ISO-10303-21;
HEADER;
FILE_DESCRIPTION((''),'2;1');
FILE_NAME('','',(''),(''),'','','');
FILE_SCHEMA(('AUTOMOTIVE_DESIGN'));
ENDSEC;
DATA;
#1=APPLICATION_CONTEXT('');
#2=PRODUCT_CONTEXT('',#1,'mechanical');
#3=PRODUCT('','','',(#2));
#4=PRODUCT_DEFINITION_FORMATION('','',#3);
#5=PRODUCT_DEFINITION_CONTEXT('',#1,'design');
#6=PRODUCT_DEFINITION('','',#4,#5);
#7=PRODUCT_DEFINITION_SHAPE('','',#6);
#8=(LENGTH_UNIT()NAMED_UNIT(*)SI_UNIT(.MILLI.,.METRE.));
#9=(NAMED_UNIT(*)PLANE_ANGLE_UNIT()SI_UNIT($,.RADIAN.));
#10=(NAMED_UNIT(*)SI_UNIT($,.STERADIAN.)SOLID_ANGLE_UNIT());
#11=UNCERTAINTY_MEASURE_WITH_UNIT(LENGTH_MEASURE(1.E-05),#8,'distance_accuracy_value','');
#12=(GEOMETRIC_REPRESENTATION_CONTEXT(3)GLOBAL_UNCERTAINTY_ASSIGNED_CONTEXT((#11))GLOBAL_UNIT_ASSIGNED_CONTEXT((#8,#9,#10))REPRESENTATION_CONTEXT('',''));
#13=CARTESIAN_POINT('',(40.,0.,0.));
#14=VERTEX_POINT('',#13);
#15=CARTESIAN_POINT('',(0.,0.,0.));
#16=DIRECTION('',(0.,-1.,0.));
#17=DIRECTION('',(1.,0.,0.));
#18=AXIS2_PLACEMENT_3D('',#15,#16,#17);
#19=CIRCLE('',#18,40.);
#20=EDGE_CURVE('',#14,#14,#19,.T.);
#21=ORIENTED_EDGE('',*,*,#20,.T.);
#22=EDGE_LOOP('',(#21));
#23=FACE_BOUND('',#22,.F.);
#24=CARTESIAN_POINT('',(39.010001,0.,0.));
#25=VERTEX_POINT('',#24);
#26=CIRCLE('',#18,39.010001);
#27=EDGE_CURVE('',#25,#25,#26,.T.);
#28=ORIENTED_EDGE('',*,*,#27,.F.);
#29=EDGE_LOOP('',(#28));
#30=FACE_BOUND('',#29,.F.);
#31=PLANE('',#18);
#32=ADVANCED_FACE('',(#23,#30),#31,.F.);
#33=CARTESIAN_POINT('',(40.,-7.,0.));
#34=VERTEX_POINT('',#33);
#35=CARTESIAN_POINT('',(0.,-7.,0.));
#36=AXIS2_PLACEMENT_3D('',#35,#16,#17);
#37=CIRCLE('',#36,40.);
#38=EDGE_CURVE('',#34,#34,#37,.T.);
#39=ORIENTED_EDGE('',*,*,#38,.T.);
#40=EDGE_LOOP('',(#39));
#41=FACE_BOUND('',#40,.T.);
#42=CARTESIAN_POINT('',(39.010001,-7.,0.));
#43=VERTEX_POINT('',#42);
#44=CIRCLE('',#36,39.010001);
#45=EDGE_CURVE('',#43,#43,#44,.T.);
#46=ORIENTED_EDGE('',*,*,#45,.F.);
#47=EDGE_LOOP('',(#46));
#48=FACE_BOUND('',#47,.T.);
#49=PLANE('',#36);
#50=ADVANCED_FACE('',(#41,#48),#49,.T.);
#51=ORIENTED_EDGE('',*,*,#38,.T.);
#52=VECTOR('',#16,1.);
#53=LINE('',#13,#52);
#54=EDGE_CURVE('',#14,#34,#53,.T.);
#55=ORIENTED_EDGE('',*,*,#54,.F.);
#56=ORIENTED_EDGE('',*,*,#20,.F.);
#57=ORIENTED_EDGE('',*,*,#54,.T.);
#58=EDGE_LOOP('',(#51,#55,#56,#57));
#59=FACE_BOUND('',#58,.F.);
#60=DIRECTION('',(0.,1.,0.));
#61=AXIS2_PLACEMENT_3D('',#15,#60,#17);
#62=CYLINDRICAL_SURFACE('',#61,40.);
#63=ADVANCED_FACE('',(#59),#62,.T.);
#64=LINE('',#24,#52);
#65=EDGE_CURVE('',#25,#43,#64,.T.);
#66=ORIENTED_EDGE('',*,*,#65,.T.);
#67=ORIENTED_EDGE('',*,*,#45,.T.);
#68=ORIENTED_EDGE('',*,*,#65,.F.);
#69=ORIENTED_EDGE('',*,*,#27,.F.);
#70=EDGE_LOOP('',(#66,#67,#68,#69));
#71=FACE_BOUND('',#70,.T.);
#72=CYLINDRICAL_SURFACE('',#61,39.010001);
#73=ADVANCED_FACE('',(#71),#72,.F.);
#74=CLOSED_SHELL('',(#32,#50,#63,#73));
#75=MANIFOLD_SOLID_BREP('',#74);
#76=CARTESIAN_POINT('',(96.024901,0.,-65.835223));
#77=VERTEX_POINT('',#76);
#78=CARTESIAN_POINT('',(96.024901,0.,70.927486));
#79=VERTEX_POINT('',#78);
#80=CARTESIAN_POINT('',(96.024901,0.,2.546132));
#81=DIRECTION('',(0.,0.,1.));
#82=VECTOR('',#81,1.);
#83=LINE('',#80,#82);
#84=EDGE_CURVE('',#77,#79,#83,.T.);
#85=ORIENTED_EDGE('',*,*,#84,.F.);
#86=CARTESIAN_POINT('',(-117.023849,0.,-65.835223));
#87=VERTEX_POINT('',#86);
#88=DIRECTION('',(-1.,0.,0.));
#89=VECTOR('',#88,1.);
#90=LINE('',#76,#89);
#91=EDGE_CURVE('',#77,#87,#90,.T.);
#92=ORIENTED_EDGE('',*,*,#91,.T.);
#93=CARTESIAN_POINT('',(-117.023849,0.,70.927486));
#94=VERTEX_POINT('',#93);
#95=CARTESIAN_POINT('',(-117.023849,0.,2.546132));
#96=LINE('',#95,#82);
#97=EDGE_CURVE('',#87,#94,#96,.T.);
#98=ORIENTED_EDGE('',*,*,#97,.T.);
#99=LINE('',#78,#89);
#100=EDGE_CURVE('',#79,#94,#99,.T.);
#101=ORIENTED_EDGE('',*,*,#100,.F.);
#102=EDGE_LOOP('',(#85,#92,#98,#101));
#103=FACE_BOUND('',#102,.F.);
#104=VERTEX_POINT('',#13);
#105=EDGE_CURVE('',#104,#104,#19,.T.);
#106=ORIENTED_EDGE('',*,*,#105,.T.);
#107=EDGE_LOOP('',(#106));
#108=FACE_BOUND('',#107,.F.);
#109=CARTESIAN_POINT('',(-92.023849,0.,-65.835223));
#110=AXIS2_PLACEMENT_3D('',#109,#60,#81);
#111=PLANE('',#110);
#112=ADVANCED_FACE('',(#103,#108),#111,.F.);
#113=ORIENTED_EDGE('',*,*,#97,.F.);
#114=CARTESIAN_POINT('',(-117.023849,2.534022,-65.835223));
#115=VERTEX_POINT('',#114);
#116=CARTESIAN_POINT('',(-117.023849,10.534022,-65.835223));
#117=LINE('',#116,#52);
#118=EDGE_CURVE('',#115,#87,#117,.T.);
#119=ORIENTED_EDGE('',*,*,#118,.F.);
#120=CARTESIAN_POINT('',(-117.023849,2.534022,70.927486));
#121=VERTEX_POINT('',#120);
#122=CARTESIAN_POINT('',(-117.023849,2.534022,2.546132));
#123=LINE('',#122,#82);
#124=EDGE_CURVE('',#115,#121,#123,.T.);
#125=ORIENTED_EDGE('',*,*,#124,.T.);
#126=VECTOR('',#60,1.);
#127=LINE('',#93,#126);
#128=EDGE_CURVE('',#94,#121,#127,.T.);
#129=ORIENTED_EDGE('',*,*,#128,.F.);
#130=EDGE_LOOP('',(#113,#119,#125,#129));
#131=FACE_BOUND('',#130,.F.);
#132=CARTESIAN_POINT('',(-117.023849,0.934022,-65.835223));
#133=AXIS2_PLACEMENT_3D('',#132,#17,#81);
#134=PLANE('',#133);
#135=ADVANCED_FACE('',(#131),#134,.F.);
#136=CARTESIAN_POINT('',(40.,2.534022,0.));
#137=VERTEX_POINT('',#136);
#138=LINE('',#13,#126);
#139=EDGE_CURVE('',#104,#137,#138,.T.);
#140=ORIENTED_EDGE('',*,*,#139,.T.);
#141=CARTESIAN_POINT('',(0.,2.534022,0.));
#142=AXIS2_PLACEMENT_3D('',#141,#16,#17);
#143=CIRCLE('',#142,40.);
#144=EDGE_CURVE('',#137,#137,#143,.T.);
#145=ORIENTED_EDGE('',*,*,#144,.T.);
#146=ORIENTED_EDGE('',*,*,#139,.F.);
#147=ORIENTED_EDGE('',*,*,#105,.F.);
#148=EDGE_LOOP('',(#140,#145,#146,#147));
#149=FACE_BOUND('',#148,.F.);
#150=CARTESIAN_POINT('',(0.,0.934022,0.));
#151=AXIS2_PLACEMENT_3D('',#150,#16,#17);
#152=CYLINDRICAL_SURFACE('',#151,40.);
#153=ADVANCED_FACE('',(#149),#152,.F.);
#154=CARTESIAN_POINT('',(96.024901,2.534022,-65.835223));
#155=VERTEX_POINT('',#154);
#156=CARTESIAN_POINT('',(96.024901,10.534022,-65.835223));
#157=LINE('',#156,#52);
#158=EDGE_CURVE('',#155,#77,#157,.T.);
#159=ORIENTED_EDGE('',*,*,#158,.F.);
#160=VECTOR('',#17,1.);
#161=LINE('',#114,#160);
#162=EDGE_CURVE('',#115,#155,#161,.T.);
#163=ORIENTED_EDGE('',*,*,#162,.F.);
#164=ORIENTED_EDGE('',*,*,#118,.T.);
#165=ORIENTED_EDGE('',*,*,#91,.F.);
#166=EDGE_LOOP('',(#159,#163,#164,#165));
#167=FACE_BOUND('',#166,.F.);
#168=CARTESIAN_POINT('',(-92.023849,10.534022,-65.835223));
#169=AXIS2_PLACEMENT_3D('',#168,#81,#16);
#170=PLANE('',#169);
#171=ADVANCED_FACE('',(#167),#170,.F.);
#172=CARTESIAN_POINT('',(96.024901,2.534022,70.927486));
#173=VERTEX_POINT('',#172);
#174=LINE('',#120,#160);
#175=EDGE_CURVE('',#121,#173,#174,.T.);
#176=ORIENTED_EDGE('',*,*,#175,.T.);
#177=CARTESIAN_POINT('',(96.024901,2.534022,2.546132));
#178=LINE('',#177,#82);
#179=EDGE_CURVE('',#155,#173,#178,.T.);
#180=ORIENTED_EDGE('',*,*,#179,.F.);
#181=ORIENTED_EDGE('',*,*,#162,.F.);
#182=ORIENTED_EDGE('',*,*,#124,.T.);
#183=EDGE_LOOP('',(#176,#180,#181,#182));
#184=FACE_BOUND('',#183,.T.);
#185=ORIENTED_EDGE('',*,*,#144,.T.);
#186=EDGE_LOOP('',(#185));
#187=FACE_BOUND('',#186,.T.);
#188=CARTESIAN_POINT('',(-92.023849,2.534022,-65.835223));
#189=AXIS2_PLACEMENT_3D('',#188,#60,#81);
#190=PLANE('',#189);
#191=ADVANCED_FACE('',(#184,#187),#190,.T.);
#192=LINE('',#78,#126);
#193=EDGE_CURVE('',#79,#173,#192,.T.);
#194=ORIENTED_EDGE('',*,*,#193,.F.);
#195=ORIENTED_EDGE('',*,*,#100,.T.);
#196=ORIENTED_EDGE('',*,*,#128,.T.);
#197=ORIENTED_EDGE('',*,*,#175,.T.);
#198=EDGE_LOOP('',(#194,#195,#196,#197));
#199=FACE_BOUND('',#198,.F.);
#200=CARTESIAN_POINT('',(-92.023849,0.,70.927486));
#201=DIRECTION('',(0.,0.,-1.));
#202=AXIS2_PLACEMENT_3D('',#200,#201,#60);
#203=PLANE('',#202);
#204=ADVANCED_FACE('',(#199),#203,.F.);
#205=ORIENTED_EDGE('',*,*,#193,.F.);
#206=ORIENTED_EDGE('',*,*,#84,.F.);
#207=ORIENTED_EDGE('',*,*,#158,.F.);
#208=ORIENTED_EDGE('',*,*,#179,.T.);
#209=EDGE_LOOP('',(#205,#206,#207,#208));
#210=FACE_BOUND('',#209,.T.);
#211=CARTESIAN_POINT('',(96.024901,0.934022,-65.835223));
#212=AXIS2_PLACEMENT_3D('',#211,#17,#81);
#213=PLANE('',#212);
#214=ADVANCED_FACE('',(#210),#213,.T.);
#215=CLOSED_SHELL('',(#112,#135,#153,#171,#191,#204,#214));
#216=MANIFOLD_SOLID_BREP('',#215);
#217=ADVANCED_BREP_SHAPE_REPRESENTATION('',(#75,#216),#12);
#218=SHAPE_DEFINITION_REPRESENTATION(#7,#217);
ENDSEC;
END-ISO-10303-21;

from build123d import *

# Parameters (mm, degrees)
F0_R     = 40
F0_R_2   = 39.0100009527
F1_DEPTH = 7
F0_W     = 188.0487501621
F0_H     = 136.7627084255
F2_DEPTH = 0.9340215474
F3_DEPTH = 9.6
F4_DEPTH = 25
F5_DEPTH = 8


with BuildPart() as f1:
    # F0 (on Front) → F1 (new body)
    with BuildSketch(Plane.XZ):
        Circle(F0_R)
        Circle(F0_R_2, mode=Mode.SUBTRACT)
    extrude(amount=F1_DEPTH)


with BuildPart() as f2:
    # F0 (on Front) → F2 (new body)
    with BuildSketch(Plane.XZ):
        with Locations((2.0005255938, 2.5461316109)):
            Rectangle(F0_W, F0_H)
        Circle(F0_R, mode=Mode.SUBTRACT)
    extrude(amount=-F2_DEPTH)

    # F3 (add): a face of the model
    f3_faces = [f2.faces().sort_by_distance(p)[0] for p in [
        (2.0005255938, 0.9340215474, 68.6022681811),
    ]]
    extrude(f3_faces, amount=F3_DEPTH)

    # F4 (add): faces of the model
    f4_faces = [f2.faces().sort_by_distance(p)[0] for p in [
        (-92.0238494873, 5.2670107737, 2.5461316109),
        (96.0249006748, 5.2670107737, 2.5461316109),
    ]]
    extrude(f4_faces, amount=F4_DEPTH, dir=(-1, 0, 0))

    # F5 (cut): a face of the model
    f5_faces = [f2.faces().sort_by_distance(p)[0] for p in [
        (93.493225175, 10.5340215474, 2.5461316109),
    ]]
    extrude(f5_faces, amount=-F5_DEPTH, mode=Mode.SUBTRACT)


solid = Compound([f1.part, f2.part])
